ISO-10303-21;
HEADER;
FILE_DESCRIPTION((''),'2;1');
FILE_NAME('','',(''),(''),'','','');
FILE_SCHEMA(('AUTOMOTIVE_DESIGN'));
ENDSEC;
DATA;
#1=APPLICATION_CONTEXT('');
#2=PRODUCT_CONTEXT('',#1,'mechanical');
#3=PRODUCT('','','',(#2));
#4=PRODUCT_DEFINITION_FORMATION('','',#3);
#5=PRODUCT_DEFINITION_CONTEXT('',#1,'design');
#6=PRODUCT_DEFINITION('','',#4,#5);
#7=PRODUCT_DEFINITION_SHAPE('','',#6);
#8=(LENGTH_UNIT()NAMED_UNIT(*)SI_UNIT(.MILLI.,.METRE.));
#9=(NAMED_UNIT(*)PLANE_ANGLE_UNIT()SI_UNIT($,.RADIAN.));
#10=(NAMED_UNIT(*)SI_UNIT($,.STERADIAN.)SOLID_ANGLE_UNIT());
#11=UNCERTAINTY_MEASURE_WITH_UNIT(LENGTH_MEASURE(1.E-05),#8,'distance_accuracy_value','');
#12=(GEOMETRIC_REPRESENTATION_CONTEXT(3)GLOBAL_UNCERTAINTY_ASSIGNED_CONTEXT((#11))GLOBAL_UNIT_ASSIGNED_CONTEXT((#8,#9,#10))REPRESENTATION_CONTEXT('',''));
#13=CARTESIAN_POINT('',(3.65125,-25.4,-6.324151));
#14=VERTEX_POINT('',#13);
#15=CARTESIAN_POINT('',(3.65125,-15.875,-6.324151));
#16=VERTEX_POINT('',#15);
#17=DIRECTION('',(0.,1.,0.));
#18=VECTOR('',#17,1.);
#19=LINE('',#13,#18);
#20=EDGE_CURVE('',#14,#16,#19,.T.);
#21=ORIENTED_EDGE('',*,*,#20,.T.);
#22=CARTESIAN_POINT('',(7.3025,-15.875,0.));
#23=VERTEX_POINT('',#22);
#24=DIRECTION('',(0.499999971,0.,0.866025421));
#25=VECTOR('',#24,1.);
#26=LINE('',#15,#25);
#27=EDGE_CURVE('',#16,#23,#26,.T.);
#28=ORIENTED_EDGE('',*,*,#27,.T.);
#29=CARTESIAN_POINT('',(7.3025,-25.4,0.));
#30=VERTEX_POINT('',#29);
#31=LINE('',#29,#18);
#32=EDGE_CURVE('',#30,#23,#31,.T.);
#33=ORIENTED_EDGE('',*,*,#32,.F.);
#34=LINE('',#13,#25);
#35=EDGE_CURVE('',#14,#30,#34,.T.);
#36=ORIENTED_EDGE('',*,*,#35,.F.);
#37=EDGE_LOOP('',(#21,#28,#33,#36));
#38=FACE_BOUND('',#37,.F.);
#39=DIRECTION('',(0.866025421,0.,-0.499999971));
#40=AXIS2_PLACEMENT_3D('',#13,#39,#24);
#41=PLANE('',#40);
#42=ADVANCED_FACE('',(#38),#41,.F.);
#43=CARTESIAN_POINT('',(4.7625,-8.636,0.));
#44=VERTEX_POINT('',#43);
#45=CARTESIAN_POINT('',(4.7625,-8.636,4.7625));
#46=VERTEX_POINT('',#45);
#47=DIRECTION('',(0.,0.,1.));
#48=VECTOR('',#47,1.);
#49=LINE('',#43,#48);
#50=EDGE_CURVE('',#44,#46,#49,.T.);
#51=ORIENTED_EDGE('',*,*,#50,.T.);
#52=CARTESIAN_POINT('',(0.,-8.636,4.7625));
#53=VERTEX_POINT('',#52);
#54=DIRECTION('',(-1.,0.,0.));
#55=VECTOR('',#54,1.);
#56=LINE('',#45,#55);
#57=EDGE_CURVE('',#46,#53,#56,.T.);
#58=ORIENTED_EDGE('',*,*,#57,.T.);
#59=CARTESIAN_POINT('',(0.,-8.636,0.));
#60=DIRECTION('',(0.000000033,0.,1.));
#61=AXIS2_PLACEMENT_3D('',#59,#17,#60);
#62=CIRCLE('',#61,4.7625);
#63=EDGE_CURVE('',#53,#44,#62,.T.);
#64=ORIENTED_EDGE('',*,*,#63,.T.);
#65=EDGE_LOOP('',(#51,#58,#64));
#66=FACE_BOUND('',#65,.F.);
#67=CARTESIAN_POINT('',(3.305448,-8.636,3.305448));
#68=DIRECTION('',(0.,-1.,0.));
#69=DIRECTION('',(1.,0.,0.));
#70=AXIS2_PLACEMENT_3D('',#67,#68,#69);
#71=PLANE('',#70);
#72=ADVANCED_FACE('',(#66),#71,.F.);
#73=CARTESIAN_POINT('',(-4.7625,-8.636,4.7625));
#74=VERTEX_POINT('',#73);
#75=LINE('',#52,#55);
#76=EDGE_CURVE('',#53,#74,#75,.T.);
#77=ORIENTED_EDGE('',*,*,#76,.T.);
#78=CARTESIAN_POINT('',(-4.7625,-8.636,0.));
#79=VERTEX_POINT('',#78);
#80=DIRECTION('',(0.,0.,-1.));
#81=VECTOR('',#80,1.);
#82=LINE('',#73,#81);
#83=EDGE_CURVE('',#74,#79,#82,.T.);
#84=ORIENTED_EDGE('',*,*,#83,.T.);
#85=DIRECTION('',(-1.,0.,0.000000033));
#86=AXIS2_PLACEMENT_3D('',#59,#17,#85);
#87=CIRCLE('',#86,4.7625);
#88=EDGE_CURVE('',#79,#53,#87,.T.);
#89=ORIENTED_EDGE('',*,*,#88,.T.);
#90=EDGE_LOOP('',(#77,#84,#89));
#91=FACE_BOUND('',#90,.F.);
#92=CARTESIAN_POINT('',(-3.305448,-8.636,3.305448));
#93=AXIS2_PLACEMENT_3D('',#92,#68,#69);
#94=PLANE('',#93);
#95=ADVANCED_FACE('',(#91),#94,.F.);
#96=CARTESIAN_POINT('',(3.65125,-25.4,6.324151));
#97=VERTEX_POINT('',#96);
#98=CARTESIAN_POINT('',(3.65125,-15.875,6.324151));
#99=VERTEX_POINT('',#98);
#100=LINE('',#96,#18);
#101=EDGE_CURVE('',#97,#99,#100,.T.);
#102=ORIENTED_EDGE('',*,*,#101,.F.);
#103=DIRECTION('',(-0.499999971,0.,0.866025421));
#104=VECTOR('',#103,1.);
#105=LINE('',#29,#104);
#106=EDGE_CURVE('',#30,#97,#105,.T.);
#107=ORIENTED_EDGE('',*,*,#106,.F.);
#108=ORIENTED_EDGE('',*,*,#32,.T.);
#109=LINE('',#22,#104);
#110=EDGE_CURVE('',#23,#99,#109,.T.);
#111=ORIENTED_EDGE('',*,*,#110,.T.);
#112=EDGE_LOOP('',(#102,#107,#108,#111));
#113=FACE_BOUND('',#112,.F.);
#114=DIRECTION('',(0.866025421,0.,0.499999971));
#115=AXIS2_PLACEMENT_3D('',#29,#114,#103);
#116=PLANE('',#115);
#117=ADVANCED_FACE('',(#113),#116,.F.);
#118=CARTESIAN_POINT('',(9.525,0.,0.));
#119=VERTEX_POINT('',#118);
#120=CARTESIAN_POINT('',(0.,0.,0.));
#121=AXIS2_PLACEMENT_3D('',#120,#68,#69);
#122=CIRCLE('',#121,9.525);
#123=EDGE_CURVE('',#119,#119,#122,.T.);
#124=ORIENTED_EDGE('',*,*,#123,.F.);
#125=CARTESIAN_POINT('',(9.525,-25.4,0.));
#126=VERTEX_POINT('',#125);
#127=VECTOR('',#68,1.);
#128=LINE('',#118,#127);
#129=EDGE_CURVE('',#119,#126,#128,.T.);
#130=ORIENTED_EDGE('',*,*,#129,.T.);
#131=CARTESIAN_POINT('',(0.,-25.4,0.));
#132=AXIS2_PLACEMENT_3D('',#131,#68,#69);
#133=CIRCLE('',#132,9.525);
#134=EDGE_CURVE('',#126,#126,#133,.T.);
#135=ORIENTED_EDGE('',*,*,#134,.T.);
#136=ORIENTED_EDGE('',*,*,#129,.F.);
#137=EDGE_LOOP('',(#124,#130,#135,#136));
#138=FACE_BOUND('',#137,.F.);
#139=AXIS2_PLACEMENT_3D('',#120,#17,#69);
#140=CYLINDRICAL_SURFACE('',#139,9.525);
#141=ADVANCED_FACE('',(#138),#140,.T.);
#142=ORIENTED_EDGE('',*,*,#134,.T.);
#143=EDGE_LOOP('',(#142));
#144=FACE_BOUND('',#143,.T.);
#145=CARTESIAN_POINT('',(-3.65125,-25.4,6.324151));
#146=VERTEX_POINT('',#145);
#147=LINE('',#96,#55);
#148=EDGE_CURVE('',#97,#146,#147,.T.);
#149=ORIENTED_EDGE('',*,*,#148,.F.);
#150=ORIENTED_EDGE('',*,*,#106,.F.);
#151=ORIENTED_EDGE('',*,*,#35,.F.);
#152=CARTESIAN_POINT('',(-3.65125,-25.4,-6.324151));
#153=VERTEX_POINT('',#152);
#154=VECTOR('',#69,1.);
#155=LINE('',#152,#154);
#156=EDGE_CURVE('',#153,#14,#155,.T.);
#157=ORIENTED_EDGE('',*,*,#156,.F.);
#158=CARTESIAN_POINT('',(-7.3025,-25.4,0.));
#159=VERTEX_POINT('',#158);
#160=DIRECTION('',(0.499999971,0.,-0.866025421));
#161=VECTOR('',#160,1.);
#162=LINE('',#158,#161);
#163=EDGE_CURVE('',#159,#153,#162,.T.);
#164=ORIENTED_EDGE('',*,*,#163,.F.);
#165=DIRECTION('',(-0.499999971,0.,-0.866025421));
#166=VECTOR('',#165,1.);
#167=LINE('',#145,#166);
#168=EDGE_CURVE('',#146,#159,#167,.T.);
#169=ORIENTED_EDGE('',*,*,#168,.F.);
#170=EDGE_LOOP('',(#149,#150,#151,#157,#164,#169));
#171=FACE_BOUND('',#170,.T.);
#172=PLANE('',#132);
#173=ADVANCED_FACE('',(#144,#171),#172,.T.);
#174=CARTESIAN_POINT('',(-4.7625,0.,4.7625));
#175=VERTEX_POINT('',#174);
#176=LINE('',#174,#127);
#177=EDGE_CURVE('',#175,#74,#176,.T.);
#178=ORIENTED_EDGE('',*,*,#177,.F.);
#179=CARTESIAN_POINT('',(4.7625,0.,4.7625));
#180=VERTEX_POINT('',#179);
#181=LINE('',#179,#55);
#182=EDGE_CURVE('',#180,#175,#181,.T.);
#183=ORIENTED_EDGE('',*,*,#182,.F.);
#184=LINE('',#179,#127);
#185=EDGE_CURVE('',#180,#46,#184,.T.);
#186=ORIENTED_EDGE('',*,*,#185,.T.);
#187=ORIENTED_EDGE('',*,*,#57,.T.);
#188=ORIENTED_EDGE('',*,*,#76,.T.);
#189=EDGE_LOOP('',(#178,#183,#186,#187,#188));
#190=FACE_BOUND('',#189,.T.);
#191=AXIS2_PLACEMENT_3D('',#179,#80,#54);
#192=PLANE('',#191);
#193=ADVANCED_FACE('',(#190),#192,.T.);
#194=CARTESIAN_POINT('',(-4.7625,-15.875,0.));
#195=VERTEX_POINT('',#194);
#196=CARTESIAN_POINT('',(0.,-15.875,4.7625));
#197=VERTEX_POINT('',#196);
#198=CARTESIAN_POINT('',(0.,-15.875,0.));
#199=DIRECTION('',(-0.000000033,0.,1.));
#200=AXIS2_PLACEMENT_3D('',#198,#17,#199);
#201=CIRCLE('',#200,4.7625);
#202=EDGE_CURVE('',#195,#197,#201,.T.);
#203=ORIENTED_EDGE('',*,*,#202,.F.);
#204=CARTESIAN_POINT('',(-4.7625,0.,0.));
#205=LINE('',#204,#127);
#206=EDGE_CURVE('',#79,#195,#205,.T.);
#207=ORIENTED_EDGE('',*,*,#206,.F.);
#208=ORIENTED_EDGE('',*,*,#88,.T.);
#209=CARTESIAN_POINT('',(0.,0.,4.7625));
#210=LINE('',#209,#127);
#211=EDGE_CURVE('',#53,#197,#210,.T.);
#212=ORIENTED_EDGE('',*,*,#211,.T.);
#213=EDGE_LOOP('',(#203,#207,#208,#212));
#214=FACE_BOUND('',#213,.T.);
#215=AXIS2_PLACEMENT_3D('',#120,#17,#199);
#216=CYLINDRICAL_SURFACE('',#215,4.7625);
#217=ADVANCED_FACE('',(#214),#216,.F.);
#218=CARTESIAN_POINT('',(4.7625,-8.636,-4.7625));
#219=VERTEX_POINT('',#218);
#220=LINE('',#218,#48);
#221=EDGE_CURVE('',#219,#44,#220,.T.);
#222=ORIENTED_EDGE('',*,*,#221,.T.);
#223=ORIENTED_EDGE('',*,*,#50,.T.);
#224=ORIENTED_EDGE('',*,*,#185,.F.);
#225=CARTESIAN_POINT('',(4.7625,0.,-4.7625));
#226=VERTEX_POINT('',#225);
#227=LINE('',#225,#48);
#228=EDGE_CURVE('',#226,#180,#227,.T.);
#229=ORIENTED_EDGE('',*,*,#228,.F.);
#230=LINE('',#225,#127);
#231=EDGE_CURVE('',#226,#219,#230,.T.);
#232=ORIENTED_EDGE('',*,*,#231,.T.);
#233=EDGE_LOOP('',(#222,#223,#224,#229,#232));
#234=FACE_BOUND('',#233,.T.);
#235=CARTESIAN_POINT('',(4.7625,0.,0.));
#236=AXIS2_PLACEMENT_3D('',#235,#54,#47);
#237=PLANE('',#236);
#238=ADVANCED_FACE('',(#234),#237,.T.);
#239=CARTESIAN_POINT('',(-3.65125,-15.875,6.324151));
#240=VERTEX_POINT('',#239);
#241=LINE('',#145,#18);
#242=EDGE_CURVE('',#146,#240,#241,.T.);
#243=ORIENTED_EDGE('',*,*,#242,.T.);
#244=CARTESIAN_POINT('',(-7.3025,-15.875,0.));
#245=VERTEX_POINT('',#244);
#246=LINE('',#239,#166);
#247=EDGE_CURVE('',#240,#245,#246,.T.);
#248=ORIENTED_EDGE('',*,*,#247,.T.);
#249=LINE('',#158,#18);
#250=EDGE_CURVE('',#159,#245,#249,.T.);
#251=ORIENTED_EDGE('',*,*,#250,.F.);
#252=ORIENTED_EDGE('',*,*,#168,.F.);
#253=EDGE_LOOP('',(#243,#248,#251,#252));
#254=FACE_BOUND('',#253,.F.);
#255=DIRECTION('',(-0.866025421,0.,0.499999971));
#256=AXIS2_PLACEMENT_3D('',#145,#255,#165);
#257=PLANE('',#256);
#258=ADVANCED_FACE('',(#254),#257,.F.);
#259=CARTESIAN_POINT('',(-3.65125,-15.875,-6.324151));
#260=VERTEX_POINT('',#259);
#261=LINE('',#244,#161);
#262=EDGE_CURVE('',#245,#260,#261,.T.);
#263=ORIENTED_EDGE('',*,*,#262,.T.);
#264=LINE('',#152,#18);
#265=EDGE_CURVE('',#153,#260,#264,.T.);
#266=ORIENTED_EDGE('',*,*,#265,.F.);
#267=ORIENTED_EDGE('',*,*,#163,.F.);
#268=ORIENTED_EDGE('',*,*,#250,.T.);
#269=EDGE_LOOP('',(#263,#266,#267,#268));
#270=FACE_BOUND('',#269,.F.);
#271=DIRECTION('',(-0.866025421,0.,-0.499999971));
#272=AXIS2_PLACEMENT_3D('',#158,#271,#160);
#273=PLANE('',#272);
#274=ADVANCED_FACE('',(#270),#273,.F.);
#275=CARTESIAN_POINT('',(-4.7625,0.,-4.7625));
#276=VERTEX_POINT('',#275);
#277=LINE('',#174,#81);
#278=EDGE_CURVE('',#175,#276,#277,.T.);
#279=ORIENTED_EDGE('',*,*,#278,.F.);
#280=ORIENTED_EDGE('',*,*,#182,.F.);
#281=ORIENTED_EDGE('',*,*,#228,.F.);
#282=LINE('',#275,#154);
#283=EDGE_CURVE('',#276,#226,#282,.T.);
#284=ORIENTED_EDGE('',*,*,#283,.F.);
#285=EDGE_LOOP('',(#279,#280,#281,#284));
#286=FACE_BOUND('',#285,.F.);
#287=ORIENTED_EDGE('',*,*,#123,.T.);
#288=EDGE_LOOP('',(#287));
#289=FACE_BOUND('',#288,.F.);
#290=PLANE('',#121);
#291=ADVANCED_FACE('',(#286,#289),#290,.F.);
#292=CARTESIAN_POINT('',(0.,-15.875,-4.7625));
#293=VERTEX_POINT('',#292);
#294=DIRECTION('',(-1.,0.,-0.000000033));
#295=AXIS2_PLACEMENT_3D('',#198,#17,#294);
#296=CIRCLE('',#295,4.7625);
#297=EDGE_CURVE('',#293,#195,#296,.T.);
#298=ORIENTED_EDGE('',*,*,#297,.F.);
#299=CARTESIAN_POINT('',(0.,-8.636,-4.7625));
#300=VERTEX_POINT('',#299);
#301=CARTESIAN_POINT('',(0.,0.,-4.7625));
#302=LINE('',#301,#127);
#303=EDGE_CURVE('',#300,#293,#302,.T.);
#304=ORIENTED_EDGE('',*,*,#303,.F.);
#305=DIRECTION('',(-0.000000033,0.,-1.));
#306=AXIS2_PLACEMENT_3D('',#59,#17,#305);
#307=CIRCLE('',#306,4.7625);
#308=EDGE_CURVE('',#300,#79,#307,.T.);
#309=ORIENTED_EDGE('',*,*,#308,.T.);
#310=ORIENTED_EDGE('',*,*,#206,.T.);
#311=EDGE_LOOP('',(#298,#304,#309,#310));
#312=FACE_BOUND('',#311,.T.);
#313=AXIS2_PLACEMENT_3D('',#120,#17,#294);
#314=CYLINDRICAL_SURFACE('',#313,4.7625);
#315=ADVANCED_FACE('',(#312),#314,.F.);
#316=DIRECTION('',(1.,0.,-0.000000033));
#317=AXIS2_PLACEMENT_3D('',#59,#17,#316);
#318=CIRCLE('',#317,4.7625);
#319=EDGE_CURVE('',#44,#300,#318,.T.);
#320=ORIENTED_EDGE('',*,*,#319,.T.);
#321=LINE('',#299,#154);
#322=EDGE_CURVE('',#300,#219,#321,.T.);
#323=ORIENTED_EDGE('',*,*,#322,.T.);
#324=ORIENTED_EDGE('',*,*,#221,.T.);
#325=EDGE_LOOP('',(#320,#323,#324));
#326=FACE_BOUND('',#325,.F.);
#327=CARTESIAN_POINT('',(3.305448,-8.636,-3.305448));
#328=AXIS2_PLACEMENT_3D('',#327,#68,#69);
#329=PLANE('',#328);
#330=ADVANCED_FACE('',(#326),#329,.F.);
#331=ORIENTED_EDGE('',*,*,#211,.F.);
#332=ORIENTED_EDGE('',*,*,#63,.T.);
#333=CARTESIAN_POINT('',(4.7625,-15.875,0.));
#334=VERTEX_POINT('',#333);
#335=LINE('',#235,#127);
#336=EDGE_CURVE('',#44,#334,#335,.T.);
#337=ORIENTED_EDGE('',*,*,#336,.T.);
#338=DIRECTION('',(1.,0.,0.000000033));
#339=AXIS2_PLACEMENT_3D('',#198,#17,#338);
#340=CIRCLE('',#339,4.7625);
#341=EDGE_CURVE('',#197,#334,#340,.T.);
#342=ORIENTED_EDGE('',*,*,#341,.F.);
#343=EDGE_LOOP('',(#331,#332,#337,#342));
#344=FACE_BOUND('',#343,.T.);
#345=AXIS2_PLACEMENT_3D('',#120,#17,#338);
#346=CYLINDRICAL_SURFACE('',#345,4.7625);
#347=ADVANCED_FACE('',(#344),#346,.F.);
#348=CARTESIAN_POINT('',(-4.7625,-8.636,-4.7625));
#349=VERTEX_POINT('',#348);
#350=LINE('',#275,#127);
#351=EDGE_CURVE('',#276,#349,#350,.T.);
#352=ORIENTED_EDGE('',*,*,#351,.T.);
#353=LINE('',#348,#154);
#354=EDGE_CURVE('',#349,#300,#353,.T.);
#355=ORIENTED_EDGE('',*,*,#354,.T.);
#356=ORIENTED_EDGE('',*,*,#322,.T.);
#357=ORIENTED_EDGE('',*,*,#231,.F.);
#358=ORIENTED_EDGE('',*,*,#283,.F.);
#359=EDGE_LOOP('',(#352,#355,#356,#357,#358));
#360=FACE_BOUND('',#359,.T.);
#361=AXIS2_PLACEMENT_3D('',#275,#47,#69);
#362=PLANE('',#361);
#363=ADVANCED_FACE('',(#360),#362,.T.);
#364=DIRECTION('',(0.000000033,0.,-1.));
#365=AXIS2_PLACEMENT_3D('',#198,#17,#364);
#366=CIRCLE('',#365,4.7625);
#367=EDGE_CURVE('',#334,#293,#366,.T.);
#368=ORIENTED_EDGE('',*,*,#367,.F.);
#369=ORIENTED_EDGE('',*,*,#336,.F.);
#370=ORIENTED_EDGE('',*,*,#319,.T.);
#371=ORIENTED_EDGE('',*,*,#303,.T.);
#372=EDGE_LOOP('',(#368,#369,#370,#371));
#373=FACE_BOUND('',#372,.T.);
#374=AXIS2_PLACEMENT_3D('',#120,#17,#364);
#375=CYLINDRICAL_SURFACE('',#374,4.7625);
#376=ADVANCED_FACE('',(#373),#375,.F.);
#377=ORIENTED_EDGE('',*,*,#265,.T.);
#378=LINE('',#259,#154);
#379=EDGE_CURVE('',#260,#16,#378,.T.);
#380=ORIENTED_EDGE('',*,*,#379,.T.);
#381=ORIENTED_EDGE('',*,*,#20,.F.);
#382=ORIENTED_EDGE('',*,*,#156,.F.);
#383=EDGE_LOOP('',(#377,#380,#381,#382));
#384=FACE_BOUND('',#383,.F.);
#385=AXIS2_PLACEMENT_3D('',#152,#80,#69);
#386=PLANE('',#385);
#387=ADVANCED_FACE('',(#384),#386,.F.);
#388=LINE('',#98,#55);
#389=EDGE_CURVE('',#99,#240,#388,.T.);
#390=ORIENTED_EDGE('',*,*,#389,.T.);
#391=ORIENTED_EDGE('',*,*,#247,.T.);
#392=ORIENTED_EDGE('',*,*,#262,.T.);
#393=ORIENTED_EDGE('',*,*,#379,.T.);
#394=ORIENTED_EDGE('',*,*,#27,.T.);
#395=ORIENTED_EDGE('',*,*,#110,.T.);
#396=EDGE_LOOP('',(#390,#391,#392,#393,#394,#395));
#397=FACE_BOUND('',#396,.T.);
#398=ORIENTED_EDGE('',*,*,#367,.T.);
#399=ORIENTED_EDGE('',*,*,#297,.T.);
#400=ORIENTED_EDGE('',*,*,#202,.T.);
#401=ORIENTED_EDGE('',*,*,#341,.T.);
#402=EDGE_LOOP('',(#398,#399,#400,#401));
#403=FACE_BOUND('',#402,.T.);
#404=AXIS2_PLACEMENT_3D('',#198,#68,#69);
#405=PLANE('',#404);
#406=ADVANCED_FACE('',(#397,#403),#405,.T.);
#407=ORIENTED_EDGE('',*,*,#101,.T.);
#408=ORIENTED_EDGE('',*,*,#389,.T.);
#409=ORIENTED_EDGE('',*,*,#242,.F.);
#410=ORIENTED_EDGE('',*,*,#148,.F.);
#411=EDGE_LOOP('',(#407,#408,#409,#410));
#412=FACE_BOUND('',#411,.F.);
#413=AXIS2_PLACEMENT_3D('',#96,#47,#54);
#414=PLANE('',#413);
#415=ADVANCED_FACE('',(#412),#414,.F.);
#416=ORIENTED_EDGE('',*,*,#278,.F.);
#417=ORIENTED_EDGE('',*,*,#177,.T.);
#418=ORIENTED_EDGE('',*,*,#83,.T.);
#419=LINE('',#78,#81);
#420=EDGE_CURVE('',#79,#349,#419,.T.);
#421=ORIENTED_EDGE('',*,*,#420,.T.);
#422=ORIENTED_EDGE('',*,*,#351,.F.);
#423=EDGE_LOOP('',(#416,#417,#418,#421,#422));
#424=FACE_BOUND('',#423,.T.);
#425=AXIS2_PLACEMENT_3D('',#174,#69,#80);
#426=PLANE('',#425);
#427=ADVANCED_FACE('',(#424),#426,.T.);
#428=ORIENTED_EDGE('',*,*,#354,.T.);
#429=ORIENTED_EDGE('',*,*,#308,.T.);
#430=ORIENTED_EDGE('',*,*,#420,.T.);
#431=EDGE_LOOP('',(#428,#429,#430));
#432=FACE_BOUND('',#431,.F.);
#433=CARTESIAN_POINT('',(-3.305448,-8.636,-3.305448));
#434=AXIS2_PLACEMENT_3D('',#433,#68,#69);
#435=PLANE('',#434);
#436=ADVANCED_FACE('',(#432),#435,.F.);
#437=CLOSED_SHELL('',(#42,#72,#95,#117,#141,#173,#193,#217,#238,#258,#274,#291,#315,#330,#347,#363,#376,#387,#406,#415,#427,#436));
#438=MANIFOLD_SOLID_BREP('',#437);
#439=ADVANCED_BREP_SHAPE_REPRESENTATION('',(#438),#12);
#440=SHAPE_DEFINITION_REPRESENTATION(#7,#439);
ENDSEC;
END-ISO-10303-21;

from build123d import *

# Parameters (mm, degrees)
F0_R     = 9.525
F1_DEPTH = 25.4
F3_DEPTH = 25.401
F4_DEPTH = 8.636
F6_DEPTH = 9.525


with BuildPart() as f1:
    # F0 (on Front) → F1 (new body)
    with BuildSketch(Plane.XZ):
        Circle(F0_R)
    extrude(amount=F1_DEPTH)

    # F2 (on Front) → F3 (cut, through all)
    with BuildSketch(Plane.XZ):
        with BuildLine():
            ThreePointArc((4.7625, 0), (3.367596, 3.367596), (0, 4.7625))
            ThreePointArc((0, 4.7625), (-3.367596, 3.367596), (-4.7625, 0))
            ThreePointArc((-4.7625, 0), (-3.367596, -3.367596), (0, -4.7625))
            ThreePointArc((0, -4.7625), (3.367596, -3.367596), (4.7625, 0))
        make_face()
    extrude(amount=F3_DEPTH, mode=Mode.SUBTRACT)

    # F2 (on Front) → F4 (cut)
    with BuildSketch(Plane.XZ):
        with BuildLine():
            ThreePointArc((-4.7625, 0), (-3.367596, 3.367596), (0, 4.7625))
            Line((0, 4.7625), (-4.7625, 4.7625))
            Line((-4.7625, 4.7625), (-4.7625, 0))
        make_face()
        with BuildLine():
            Line((4.7625, 0), (4.7625, 4.7625))
            Line((4.7625, 4.7625), (0, 4.7625))
            ThreePointArc((0, 4.7625), (3.367596, 3.367596), (4.7625, 0))
        make_face()
        with BuildLine():
            ThreePointArc((0, -4.7625), (-3.367596, -3.367596), (-4.7625, 0))
            Line((-4.7625, 0), (-4.7625, -4.7625))
            Line((-4.7625, -4.7625), (0, -4.7625))
        make_face()
        with BuildLine():
            Line((4.7625, -4.7625), (4.7625, 0))
            ThreePointArc((4.7625, 0), (3.367596, -3.367596), (0, -4.7625))
            Line((0, -4.7625), (4.7625, -4.7625))
        make_face()
    extrude(amount=F4_DEPTH, mode=Mode.SUBTRACT)

    # F5 (on face) → F6 (cut)
    with BuildSketch(Plane.XZ.offset(25.4)):
        Polygon((3.65125, 6.324151), (-3.65125, 6.324151), (-7.3025, 0), (-3.65125, -6.324151), (3.65125, -6.324151), (7.3025, 0), align=None)
    extrude(amount=-F6_DEPTH, mode=Mode.SUBTRACT)


solid = f1.part
